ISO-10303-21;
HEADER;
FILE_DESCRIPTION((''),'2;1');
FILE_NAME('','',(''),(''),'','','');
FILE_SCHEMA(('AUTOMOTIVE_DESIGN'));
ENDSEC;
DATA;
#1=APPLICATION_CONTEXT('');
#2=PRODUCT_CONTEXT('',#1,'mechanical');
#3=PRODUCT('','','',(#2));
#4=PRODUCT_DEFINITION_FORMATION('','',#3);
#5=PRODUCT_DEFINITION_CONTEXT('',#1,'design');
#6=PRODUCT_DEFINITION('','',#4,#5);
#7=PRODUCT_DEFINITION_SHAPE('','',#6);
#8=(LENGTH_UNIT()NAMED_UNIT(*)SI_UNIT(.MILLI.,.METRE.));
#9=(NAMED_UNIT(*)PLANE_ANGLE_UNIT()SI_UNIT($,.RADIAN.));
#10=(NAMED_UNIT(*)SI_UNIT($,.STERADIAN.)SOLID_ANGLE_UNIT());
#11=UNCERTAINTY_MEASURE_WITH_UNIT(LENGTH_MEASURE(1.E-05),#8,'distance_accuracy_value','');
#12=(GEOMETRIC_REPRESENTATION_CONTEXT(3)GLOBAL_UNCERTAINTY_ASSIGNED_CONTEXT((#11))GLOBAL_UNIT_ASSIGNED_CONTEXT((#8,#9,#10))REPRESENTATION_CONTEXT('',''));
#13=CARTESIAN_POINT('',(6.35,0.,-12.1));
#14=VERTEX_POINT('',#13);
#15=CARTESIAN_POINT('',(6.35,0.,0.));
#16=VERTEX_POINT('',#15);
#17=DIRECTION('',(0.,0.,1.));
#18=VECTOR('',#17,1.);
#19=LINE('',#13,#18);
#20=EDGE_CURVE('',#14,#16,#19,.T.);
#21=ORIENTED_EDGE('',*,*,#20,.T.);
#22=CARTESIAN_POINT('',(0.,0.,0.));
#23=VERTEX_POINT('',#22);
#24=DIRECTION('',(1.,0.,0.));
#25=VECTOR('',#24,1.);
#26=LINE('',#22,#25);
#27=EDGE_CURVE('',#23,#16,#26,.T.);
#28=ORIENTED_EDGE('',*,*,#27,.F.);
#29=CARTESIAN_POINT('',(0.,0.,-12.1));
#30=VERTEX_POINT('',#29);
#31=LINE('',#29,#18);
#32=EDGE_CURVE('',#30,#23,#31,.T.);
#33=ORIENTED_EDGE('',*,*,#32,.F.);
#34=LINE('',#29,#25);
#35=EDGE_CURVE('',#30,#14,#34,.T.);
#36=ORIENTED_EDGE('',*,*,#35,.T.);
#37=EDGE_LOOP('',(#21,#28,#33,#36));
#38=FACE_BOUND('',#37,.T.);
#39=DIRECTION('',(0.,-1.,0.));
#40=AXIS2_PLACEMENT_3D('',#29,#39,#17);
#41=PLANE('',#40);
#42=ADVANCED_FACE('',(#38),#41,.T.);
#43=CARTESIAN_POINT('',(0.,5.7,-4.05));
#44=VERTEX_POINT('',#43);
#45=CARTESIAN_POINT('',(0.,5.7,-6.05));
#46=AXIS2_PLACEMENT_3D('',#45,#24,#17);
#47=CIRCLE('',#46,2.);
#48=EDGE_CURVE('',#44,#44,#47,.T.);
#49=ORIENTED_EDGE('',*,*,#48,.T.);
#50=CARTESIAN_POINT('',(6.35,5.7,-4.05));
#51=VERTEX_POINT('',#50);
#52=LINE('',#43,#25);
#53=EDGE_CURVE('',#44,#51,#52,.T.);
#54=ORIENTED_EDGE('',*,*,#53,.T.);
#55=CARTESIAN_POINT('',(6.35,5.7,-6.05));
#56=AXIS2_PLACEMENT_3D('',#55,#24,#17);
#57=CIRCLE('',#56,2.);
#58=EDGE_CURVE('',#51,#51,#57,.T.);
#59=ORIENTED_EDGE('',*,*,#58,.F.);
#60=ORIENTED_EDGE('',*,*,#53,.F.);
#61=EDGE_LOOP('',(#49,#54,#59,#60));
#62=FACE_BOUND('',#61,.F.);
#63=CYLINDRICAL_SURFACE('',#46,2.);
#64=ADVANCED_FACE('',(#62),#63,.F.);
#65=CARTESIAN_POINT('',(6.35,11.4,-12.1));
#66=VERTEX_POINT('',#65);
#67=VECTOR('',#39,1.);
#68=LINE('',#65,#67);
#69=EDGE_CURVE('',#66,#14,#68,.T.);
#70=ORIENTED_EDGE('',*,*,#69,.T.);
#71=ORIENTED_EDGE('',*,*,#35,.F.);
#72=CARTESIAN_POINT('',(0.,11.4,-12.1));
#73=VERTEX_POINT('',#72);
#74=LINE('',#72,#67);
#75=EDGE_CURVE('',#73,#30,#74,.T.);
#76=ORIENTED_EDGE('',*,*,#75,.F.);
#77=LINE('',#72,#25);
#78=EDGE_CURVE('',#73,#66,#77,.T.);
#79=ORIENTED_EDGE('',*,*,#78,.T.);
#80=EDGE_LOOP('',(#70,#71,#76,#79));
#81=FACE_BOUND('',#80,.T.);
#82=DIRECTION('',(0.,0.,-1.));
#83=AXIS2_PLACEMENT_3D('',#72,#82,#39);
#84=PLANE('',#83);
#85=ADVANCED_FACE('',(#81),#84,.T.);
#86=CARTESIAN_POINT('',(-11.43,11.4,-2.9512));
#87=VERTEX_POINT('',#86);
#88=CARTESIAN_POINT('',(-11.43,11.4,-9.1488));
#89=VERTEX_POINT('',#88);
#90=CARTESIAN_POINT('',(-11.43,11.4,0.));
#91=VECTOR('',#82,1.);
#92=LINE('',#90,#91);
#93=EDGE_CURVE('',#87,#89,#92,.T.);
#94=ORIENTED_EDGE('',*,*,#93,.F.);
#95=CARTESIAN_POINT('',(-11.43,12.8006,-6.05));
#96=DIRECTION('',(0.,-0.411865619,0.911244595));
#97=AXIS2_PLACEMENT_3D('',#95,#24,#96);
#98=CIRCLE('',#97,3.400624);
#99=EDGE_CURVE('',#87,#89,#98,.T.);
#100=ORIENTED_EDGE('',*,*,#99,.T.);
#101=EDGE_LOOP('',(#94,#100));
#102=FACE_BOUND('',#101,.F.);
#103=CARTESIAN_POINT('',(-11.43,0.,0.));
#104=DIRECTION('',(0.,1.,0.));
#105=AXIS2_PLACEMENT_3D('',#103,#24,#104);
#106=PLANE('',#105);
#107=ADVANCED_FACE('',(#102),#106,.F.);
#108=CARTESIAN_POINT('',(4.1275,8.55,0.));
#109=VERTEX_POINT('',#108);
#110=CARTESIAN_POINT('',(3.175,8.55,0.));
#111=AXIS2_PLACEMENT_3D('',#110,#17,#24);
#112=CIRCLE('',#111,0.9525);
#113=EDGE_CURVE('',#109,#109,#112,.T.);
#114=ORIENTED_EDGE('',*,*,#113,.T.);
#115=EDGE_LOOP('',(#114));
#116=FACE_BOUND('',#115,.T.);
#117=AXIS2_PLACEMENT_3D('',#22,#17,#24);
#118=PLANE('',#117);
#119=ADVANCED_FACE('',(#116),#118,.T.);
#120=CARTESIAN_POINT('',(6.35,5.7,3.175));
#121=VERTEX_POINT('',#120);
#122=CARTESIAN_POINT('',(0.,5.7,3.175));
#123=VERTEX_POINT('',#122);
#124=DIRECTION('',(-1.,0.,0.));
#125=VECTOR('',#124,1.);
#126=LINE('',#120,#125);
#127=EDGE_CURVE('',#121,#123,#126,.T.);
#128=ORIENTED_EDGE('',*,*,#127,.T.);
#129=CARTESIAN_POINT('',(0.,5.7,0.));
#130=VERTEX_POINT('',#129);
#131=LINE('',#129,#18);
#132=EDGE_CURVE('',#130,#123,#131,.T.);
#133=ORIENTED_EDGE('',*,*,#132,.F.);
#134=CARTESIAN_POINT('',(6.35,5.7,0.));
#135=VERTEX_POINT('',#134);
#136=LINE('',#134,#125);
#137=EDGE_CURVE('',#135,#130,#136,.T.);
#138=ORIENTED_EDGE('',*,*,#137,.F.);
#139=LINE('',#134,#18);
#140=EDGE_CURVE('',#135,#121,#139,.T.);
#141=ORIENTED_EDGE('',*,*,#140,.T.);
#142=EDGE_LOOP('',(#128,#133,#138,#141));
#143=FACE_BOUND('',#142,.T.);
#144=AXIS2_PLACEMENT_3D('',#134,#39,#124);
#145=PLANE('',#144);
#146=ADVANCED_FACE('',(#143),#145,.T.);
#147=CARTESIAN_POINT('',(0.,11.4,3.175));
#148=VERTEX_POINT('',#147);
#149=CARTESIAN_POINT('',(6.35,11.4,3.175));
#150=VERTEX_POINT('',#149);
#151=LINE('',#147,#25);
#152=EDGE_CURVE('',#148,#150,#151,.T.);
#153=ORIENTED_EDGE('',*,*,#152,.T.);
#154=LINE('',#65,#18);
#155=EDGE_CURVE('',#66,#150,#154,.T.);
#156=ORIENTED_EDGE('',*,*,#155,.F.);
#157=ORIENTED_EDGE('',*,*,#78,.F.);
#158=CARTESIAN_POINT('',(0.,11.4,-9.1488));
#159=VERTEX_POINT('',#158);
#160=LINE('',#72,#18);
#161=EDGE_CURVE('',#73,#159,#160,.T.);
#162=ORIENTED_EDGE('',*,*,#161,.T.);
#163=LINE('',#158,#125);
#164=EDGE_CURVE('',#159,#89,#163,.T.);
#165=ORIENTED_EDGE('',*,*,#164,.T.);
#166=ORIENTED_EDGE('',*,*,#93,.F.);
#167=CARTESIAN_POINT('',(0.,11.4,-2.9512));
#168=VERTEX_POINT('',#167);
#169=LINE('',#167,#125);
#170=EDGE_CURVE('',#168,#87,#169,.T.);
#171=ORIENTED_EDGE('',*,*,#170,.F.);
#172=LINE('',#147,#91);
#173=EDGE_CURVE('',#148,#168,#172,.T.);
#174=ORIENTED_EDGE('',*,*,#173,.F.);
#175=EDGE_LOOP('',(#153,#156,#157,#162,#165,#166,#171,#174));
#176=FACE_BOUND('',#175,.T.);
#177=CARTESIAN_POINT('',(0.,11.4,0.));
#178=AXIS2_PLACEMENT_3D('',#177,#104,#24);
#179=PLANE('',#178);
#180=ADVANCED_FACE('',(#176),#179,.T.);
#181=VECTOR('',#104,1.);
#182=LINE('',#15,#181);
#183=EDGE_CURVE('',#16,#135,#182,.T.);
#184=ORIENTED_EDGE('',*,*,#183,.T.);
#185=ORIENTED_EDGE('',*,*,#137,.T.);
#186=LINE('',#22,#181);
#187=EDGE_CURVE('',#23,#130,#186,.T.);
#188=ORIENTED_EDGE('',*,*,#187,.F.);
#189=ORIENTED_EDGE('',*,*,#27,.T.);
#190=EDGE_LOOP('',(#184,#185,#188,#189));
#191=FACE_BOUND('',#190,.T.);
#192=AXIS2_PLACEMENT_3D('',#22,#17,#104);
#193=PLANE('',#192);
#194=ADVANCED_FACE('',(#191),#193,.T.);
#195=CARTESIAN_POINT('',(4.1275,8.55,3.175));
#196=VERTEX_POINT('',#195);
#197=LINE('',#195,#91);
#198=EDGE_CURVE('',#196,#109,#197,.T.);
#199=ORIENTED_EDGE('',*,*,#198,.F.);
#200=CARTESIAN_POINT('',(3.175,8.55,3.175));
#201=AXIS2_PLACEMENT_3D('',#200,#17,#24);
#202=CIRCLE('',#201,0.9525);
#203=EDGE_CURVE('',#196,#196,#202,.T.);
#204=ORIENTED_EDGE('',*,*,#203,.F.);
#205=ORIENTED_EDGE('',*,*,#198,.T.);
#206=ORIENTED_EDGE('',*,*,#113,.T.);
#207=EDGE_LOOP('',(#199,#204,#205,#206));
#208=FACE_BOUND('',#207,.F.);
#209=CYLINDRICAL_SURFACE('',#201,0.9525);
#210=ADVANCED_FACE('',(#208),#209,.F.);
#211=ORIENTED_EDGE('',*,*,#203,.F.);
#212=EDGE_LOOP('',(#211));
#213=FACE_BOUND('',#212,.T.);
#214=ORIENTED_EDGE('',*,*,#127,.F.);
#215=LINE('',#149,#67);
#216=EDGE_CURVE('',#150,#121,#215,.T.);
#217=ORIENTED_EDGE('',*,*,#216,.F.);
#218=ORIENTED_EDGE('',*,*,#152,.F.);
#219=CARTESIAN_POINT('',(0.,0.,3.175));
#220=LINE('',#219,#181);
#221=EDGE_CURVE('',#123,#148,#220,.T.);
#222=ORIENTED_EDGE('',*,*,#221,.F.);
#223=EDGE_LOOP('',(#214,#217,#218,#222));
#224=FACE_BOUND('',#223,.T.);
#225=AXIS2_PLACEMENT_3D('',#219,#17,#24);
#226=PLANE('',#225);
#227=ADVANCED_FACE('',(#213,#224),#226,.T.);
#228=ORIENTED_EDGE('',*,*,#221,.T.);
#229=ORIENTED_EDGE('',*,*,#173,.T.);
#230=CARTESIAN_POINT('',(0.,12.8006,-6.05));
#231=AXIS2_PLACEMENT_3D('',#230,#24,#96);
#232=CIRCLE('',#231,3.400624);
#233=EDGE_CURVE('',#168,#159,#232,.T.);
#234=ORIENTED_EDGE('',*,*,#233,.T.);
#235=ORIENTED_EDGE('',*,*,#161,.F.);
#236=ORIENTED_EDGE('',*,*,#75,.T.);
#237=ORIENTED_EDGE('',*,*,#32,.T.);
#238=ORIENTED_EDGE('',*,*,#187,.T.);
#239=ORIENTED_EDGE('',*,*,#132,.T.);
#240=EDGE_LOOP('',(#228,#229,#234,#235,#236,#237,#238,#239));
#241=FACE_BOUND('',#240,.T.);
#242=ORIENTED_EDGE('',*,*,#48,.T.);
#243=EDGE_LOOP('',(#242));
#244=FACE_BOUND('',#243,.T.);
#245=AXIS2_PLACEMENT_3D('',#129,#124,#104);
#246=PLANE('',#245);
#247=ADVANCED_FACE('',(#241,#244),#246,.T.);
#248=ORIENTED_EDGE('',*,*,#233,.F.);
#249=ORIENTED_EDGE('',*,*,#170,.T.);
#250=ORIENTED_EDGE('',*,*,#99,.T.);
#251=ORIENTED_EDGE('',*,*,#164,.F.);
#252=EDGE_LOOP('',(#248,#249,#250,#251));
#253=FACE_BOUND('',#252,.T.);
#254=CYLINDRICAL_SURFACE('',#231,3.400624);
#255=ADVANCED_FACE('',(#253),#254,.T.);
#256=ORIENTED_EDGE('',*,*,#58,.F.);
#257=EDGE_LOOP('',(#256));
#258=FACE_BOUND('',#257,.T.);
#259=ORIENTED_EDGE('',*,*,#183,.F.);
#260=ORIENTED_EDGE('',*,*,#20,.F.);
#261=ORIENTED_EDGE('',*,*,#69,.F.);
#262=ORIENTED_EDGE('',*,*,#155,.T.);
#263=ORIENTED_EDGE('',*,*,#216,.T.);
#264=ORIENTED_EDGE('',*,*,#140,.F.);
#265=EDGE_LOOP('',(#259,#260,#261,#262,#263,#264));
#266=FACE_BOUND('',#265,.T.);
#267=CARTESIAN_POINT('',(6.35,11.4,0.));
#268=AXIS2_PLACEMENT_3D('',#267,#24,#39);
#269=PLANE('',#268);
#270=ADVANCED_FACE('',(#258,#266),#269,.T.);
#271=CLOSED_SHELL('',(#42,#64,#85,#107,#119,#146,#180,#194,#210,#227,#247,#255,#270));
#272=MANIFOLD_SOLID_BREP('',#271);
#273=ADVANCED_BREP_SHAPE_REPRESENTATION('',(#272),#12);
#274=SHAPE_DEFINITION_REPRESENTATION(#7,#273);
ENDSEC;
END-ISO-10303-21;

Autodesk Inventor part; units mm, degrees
ref_plane "YZ Plane" through (0, 0, 0) normal (1, 0, 0) x (0, 1, 0)
ref_plane "XZ Plane" through (0, 0, 0) normal (0, 1, 0) x (-1, 0, 0)
ref_plane "XY Plane" through (0, 0, 0) normal (0, 0, 1) x (1, 0, 0)
sketch "Sketch1" plane through (0, 0, 0) normal (1, 0, 0) x (0, 1, 0)
  line L0 (0, 0) -> (11.4, 0)
  line L1 (11.4, 0) -> (11.4, -12.1)
  line L2 (11.4, -12.1) -> (0, -12.1)
  line L3 (0, -12.1) -> (0, 0)
  arc A0 (11.4, -2.9512) -> (11.4, -9.1488) centre (12.8006, -6.05) ccw
  point P0 (3.5, -5)
  dimension "d0" = 11.4
  dimension "d1" = 12.1
  dimension "d2" = 6.1976
  dimension "d3" = 2.9512
  dimension "d29" = 2
extrude "Extrusion1" add sketch "Sketch1" along normal blind 6.35
extrude "Extrusion2" add sketch "Sketch1" against normal blind 11.43 contours L1 A0
sketch "Sketch3" plane through (0, 0, 0) normal (-1, 0, 0) x (0, 0, 1)
  line L0 (0, 11.4) -> (0, 0) projected
  line L1 (0, 0) -> (-12.1, 0) projected
  point P0 (-6.05, 5.7)
  dimension "d19" = 12.1
  dimension "d20" = 6.05
  dimension "d30" = 11.4
  dimension "d31" = 5.7
sketch "Sketch6" plane through (0, 0, 0) normal (0, 0, 1) x (1, 0, 0)
  line L0 (6.35, 5.7) -> (0, 5.7)
  line L1 (0, 0) -> (0, 11.4) projected
  line L2 (6.35, 11.4) -> (6.35, 0) projected
  line L3 (0, 0) -> (6.35, 0) projected
  line L4 (0, 11.4) -> (6.35, 11.4) projected
  dimension "d33" = 11.4
  dimension "d46" = 5.7
hole "Hole2" at (0, 5.7, -6.05) direction (1, 0, 0) diameter 4 end through all
extrude "Extrusion8" add sketch "Sketch6" along normal blind 3.175 contours L0 L1 L4 L2
sketch "Sketch7" plane through (0, 0, 3.175) normal (0, 0, 1) x (1, 0, 0)
  line L0 (6.35, 11.4) -> (0, 11.4) projected
  line L1 (6.35, 5.7) -> (6.35, 11.4) projected
  point P0 (0, 0)
  point P1 (3.175, 8.55)
  dimension "d50" = 6.35
  dimension "d51" = 5.7
  dimension "d52" = 2.85
  dimension "d53" = 3.175
sketch "Sketch8" plane through (0, 0, 3.175) normal (0, 0, 1) x (1, 0, 0)
  circle A0 centre (3.175, 8.55) radius 0.9525
  line L0 (6.35, 11.4) -> (0, 11.4) projected
  line L1 (6.35, 5.7) -> (6.35, 11.4) projected
  point P0 (0, 0)
  dimension "d63" = 2.85
  dimension "d64" = 3.175
  dimension "d65" = 1.905
extrude "Extrusion9" cut sketch "Sketch8" against normal up to surface (3.175 mm away)
equation "\"d3\" = -0.5 * d2 + 0.5 * d1"
equation "\"d20\" = 0.5 * d19"
equation "\"d31\" = 0.5 * d30"
equation "\"d46\" = 0.5 * d33"
equation "\"d52\" = 0.5 * d51"
equation "\"d53\" = 0.5 * d50"
equation "\"d63\" = d52"
equation "\"d64\" = d53"
properties part number "end peice for slides"
